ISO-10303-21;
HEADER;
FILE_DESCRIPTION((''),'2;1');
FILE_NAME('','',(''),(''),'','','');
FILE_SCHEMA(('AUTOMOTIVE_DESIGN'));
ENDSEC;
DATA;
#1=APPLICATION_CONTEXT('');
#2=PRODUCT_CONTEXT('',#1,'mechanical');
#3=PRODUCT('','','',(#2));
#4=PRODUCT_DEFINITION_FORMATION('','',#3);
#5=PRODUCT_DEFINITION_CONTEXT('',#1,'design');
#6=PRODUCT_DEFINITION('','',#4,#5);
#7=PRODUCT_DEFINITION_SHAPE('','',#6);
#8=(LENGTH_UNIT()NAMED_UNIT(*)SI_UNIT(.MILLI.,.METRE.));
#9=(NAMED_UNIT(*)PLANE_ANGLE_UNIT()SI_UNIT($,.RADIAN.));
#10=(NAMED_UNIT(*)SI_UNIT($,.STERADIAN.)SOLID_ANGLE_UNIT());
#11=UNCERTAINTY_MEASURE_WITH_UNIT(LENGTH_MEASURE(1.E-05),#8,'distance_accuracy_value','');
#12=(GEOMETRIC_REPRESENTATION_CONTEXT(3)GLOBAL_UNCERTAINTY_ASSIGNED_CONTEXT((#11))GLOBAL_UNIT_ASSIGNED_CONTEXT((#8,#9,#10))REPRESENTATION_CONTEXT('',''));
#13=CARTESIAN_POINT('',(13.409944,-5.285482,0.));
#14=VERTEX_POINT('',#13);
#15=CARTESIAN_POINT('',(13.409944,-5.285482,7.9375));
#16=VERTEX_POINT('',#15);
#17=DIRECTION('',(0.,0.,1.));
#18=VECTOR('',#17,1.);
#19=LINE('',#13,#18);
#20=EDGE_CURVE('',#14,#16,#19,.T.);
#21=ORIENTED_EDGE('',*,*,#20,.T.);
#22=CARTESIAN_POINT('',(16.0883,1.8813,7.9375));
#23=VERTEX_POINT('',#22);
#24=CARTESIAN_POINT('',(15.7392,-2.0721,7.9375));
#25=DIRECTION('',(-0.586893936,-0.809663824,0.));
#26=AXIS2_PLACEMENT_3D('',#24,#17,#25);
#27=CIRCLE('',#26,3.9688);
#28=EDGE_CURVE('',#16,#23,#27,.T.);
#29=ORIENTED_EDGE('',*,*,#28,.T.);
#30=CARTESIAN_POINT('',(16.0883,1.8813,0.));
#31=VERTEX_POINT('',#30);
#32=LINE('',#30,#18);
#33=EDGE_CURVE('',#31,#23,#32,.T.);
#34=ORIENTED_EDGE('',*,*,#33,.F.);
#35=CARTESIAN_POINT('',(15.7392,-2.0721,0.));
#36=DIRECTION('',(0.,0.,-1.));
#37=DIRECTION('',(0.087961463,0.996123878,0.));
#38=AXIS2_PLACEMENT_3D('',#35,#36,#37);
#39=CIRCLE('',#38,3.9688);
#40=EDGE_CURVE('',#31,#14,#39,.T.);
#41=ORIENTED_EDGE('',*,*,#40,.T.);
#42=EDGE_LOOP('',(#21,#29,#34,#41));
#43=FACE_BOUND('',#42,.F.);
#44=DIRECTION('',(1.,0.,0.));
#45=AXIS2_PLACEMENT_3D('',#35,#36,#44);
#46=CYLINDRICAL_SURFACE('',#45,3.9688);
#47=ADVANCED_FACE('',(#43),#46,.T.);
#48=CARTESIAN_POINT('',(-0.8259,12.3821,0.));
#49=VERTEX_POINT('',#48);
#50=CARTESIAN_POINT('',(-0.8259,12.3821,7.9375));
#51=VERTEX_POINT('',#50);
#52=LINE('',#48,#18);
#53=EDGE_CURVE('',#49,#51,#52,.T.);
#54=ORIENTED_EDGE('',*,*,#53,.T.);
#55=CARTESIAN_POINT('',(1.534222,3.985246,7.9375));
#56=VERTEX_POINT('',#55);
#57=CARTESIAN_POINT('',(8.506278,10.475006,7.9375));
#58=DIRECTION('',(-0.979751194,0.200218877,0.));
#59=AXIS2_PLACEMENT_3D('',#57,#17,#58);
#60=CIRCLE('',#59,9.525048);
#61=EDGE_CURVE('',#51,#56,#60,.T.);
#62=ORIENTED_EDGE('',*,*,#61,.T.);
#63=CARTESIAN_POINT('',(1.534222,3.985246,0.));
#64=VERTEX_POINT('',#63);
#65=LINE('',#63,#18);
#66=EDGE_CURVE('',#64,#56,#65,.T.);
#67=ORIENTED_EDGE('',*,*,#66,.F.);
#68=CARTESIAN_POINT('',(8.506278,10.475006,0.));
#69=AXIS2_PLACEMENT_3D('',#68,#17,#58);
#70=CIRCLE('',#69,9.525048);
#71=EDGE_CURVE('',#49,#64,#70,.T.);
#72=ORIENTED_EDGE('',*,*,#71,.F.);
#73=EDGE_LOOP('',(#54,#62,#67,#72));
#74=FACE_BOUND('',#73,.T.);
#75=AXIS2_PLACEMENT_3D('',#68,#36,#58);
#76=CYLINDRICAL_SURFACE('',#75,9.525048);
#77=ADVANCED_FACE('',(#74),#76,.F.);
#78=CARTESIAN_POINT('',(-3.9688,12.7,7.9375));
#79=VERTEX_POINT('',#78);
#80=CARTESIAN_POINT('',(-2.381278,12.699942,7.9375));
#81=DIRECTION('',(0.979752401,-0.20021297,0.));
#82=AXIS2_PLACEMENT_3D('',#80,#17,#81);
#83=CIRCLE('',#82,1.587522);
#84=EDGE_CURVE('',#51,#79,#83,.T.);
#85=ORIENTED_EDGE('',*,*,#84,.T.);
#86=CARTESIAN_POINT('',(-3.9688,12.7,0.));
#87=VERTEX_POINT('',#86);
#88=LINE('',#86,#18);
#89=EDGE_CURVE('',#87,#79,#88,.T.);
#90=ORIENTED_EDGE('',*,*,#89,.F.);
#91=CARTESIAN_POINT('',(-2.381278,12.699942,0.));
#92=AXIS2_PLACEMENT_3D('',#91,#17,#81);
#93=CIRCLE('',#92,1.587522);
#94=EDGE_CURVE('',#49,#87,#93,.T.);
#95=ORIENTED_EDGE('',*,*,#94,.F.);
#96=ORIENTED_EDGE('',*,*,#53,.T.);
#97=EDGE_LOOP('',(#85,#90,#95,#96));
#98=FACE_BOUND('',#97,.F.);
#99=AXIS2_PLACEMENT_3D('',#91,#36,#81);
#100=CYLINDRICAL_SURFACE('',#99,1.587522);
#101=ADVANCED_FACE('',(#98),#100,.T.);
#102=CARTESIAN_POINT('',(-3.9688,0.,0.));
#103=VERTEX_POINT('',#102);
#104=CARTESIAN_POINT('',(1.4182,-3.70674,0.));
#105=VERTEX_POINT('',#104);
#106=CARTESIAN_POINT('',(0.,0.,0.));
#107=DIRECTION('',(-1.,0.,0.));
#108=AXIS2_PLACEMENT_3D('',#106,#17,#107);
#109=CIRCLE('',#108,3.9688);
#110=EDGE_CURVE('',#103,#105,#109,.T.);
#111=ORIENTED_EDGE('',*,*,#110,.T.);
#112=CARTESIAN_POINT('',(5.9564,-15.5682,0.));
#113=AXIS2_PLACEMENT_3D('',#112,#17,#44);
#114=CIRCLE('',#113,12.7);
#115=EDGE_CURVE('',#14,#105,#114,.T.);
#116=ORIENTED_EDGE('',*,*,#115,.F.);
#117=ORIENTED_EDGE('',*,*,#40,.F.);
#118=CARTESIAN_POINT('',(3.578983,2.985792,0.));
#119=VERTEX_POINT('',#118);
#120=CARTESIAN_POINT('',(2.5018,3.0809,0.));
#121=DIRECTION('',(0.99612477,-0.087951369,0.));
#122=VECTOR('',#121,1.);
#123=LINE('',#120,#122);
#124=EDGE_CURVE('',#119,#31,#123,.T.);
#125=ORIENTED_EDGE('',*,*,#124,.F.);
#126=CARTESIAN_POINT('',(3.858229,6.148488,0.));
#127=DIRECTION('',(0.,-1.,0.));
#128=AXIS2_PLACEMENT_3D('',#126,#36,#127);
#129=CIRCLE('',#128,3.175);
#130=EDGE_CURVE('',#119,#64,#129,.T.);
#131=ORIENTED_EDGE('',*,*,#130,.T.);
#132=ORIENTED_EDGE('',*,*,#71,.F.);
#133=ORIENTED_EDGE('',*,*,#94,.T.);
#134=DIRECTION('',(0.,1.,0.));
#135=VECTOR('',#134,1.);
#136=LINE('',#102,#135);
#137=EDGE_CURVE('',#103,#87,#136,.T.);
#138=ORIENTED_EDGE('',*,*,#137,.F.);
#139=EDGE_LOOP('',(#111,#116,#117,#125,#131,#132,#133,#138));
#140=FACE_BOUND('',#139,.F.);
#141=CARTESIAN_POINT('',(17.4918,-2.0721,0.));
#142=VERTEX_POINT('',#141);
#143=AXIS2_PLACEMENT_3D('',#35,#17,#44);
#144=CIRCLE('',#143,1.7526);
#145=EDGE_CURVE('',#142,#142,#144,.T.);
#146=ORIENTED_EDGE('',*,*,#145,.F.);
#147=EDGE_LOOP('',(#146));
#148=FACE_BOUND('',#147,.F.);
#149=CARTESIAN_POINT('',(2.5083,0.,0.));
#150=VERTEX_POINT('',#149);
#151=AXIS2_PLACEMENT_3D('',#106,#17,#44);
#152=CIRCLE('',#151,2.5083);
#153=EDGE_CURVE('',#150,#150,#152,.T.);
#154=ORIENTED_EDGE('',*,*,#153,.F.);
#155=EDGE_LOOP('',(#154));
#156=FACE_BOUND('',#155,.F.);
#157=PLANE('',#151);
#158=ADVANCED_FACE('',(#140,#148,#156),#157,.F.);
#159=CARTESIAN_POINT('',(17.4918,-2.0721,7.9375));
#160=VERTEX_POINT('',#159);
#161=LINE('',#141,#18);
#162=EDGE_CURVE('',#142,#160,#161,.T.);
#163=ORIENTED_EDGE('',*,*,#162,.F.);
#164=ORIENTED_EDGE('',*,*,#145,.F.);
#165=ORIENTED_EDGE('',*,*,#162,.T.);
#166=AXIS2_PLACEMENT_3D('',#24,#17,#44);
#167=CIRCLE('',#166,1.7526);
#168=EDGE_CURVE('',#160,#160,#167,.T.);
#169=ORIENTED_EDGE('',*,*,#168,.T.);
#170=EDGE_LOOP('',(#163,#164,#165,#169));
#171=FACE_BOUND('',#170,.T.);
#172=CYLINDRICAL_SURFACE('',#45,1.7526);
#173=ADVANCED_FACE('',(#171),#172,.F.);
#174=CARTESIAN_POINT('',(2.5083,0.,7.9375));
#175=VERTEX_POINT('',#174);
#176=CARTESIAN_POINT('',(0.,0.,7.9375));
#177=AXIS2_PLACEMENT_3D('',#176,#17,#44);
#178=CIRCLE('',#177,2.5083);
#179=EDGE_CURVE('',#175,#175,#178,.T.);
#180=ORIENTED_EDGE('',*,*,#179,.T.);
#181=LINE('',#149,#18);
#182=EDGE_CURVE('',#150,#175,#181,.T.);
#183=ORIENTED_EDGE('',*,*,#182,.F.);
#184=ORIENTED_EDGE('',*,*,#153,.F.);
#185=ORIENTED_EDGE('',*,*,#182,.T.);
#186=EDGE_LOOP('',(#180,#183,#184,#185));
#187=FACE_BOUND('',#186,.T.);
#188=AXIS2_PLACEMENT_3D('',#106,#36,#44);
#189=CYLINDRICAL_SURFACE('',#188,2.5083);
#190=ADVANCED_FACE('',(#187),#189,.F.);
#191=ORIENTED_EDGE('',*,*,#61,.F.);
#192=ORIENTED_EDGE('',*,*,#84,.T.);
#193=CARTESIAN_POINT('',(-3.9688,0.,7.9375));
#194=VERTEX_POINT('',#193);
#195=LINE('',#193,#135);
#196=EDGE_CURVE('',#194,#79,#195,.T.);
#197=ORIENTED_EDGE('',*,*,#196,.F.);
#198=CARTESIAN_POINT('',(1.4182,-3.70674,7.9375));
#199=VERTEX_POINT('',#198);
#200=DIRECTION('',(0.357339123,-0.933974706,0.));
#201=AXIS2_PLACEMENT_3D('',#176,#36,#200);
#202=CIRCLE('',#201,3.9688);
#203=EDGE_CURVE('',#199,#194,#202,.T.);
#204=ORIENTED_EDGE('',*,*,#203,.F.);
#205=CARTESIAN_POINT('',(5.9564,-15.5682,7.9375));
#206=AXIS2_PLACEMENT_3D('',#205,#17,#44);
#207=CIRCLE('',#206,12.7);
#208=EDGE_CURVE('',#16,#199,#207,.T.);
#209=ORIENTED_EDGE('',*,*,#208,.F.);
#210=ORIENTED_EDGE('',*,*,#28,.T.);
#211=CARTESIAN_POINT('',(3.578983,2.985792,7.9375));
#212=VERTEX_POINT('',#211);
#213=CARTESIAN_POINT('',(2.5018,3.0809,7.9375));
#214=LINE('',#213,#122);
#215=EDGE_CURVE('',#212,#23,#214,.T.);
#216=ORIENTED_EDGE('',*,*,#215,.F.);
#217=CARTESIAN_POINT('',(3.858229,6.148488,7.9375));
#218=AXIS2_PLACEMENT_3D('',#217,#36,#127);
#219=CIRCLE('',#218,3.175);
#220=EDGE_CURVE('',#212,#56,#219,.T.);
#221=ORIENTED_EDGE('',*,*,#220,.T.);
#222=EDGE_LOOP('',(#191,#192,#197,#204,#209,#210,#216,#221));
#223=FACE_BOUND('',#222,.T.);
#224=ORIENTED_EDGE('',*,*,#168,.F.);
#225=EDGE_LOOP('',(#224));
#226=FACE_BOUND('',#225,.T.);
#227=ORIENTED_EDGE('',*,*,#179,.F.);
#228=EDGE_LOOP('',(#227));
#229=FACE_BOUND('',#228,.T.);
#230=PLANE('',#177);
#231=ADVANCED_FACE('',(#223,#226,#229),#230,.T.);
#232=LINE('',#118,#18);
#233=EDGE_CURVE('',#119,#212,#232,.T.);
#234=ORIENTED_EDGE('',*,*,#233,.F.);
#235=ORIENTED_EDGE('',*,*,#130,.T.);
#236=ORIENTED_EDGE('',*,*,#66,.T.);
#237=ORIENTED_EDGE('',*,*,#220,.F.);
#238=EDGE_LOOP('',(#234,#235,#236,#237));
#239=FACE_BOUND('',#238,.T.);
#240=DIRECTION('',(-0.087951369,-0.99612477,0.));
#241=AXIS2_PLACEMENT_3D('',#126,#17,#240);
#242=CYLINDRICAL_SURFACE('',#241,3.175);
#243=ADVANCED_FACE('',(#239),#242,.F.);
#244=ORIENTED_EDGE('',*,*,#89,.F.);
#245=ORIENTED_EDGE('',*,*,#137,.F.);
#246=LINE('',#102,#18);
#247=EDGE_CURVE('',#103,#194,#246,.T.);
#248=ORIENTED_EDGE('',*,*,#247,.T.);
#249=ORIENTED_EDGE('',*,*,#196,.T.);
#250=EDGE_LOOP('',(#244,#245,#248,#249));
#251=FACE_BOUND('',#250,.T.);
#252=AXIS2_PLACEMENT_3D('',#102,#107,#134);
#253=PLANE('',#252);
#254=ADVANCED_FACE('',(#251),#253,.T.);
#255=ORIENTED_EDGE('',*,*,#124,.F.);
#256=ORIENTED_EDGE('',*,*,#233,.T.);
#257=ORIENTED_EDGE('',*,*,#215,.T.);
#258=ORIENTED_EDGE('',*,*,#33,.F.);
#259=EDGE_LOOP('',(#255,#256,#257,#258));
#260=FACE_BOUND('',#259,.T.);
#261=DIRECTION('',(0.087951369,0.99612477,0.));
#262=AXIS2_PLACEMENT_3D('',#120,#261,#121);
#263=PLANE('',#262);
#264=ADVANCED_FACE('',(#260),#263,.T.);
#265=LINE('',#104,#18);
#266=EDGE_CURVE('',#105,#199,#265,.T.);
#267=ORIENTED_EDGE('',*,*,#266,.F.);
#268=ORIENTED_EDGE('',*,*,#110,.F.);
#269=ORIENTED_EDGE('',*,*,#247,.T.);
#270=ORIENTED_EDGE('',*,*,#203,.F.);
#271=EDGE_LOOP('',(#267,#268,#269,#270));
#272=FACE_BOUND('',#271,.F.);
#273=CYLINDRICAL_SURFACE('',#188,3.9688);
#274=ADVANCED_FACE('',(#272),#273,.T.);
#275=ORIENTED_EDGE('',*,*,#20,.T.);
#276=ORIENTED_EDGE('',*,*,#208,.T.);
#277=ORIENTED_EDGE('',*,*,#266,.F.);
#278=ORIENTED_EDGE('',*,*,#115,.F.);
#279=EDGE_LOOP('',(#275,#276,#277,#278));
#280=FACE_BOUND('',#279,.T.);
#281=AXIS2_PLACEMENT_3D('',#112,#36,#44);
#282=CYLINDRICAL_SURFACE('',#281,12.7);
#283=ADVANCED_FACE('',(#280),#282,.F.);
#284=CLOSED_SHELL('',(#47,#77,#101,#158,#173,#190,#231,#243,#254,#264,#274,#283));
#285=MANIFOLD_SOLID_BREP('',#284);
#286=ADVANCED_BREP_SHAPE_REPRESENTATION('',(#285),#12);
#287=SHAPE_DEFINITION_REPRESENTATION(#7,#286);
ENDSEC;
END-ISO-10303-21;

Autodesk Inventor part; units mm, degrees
ref_plane "YZ Plane" through (0, 0, 0) normal (1, 0, 0) x (0, 1, 0)
ref_plane "XZ Plane" through (0, 0, 0) normal (0, 1, 0) x (-1, 0, 0)
ref_plane "XY Plane" through (0, 0, 0) normal (0, 0, 1) x (1, 0, 0)
sketch "Sketch4" plane through (0, 0, 0) normal (0, 0, 1) x (1, 0, 0)
  circle A0 centre (0, 0) radius 2.5083
  circle A1 centre (0, 0) radius 3.9688
  line L0 (-3.9688, 0) -> (-3.9688, 12.7)
  arc A2 (-0.8259, 12.3821) -> (-3.9688, 12.7) centre (-2.3812, 12.7) ccw
  arc A3 (-0.8259, 12.3821) -> (2.5018, 3.0809) centre (8.5062, 10.475) ccw
  circle A4 centre (0, 0) radius 4.7625 construction
  circle A5 centre (15.7392, -2.0721) radius 6.35 construction
  circle A6 centre (15.7392, -2.0721) radius 3.9688
  circle A7 centre (15.7392, -2.0721) radius 1.7526
  line L1 (2.5018, 3.0809) -> (16.0883, 1.8813)
  circle A8 centre (6.35, -12.7) radius 3.9688
  circle A9 centre (6.35, -12.7) radius 1.7526
  line L2 (2.8002, -14.4749) -> (-3.5498, -1.7749)
  circle A10 centre (5.9564, -15.5682) radius 12.7
  line L3 (18.7135, -4.6997) -> (9.3243, -15.3276)
  line L4 (0, 0) -> (0, 4.7625) construction
  line L5 (0, 0) -> (15.7392, -2.0721) construction
  line L6 (15.7392, -2.0721) -> (16.2572, 1.8627) construction
  point P0 (3.9688, 0)
  point P1 (12.5559, -4.4423)
  point P2 (2.0561, -3.3946)
  point P3 (1.4182, -3.7067)
  point P4 (13.41, -5.2855)
  dimension "d54" = 9.525
  dimension "d44" = 5.0165
  dimension "d45" = 7.9375
  dimension "d51" = 12.7
  dimension "d52" = 3.175
  dimension "d53" = 9.525
  dimension "d56" = 12.7
  dimension "d57" = 7.9375
  dimension "d58" = 3.5052
  dimension "d61" = 7.9375
  dimension "d62" = 3.5052
  dimension "d63" = 12.7
  dimension "d64" = 6.35
  dimension "d67" = 97.5
  dimension "d68" = 15.875
  dimension "d69" = 25.4
extrude "Extrusion3" add sketch "Sketch4" along normal blind 7.9375 contours A1 | A1 L1 A6 A10 | A1 L0 A2 A3 | A6
fillet "Fillet5" radius 3.175 1 edges at (2.5018, 3.0809, 3.9688)
properties part number "Lever" material "Aluminum 6061"
